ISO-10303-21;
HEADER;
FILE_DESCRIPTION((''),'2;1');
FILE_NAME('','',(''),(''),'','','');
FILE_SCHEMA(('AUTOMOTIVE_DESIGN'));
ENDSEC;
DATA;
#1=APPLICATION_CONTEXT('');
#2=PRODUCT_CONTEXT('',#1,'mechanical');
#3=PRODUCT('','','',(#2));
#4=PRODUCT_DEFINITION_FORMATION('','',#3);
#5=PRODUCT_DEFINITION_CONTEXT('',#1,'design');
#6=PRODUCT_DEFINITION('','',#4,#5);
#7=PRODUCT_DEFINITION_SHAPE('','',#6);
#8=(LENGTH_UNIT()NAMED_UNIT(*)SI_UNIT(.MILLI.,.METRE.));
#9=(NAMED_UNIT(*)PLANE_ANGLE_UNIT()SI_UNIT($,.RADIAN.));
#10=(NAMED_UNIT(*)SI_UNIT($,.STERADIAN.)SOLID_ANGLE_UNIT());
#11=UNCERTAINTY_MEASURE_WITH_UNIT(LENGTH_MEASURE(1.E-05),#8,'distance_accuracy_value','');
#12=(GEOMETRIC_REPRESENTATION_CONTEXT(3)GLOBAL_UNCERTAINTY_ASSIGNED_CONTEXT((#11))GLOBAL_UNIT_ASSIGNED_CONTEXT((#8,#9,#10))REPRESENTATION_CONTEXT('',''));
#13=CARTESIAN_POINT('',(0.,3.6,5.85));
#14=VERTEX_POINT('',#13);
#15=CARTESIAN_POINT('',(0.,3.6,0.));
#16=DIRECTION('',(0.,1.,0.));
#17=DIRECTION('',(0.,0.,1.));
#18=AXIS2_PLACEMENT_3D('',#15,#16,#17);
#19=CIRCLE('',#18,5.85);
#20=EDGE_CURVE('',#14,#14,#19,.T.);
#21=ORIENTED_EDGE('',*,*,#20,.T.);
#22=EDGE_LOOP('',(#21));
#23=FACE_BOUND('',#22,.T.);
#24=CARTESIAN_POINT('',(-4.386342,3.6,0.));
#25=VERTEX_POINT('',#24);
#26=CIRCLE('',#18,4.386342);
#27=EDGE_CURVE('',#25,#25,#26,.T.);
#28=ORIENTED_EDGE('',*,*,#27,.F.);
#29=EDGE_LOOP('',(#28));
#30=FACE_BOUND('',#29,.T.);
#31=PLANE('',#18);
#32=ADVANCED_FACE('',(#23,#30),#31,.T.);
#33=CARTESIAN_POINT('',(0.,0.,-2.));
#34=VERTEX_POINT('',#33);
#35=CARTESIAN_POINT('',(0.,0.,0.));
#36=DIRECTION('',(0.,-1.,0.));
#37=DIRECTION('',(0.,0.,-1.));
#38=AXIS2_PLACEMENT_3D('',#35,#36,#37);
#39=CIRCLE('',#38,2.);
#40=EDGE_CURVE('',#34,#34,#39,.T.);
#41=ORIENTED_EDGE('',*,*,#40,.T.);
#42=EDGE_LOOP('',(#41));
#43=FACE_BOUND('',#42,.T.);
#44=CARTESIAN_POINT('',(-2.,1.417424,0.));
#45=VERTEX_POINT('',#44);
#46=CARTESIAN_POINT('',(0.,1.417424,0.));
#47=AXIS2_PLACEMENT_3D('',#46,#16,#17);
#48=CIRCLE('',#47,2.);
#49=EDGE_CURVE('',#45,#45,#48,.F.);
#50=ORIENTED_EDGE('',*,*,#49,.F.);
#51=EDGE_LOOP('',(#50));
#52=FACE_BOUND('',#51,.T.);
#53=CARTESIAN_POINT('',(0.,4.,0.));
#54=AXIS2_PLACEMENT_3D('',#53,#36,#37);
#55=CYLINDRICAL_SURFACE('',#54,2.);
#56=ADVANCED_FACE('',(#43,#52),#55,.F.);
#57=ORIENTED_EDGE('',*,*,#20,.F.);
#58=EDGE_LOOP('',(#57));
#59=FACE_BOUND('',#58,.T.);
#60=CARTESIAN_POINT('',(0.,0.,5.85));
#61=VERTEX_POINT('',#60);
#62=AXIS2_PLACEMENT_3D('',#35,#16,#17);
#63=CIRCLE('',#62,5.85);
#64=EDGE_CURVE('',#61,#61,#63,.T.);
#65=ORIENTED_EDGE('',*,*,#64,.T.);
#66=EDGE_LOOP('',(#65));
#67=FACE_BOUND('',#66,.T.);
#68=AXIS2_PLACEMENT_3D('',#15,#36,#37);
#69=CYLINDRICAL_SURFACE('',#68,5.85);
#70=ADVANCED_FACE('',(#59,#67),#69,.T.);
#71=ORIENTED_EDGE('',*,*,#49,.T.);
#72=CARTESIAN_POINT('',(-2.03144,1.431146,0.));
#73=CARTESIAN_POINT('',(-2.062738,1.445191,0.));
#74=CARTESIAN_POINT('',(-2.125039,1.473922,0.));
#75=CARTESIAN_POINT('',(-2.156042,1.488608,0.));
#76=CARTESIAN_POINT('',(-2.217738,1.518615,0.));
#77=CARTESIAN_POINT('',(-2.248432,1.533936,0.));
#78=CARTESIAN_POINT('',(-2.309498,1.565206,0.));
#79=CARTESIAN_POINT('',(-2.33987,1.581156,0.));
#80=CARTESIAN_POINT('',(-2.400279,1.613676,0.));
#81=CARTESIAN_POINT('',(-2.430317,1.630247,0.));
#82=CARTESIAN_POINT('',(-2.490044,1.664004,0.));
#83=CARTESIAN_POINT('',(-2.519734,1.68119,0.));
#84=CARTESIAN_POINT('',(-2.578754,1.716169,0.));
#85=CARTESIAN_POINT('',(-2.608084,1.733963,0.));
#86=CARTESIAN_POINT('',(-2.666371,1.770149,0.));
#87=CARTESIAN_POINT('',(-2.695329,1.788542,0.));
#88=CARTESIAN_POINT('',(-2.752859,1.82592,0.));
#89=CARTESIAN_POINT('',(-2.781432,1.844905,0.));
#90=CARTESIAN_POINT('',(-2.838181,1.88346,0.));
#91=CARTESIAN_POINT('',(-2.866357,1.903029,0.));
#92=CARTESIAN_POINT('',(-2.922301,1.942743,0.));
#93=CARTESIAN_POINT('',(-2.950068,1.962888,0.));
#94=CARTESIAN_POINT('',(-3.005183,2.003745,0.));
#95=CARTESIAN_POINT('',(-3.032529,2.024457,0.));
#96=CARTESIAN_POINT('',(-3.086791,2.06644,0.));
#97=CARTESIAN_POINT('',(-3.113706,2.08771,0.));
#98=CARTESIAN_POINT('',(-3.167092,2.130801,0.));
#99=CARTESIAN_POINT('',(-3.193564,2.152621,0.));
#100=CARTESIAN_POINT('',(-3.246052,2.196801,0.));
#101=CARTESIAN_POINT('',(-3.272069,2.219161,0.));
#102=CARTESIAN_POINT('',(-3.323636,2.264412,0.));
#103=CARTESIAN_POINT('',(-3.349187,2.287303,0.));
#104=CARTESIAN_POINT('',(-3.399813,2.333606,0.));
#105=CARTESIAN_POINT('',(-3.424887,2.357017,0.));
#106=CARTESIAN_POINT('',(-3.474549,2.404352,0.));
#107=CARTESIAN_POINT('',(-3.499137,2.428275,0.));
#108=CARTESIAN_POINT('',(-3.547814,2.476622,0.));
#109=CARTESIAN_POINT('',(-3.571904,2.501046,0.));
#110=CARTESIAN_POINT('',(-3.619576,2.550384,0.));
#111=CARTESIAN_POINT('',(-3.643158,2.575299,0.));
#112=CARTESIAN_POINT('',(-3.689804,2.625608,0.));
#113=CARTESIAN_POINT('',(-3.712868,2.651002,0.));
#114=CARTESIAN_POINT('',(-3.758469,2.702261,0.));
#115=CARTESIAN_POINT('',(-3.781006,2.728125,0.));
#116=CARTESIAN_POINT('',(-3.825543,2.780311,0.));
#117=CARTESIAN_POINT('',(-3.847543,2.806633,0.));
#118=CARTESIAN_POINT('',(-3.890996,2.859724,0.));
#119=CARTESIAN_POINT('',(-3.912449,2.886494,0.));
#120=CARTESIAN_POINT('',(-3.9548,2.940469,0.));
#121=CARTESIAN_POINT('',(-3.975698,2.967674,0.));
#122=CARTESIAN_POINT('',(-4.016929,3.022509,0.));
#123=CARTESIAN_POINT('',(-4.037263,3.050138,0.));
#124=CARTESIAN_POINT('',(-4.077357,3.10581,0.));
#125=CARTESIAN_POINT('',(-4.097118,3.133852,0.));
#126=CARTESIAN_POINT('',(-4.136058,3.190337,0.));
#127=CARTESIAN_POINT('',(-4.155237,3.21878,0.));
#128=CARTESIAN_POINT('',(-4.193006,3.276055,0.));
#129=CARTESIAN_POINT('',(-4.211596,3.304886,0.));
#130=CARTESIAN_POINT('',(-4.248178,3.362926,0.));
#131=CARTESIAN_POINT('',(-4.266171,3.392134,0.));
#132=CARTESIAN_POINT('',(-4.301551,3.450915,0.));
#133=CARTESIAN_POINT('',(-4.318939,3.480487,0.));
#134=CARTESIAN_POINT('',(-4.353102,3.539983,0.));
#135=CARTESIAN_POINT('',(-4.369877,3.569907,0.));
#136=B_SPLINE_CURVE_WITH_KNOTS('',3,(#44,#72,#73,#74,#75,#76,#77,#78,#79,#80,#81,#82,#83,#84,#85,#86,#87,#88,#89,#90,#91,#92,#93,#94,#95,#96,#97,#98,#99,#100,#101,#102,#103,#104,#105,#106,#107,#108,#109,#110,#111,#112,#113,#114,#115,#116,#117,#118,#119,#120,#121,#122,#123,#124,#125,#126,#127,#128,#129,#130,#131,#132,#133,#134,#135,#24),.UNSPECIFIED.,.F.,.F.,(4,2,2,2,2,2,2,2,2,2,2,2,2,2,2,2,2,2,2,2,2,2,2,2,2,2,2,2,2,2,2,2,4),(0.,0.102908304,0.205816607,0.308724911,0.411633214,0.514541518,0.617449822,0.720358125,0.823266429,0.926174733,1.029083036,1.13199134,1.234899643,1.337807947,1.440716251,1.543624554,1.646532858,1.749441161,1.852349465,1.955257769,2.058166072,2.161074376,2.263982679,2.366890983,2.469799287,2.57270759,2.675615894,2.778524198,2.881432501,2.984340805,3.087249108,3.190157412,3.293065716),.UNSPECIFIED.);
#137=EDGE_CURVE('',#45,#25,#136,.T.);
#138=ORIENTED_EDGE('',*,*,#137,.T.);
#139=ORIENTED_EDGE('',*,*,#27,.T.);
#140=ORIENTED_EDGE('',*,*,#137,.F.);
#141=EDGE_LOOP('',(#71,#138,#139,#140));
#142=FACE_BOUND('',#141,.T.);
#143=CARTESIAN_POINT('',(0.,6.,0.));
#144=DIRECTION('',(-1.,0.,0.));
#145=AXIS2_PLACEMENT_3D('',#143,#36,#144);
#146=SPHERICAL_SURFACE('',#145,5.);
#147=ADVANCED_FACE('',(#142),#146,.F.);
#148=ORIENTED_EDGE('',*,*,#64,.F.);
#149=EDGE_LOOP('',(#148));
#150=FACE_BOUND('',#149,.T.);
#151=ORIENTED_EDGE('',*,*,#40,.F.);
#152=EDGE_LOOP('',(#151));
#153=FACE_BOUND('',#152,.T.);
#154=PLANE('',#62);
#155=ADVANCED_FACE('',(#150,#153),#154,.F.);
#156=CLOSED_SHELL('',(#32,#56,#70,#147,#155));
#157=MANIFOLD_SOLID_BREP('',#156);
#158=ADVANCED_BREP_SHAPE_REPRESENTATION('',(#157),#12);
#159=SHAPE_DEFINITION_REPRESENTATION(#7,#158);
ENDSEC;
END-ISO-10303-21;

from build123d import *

# Parameters (mm, degrees)
SKETCH1_R           = 5.85
BOSS_EXTRUDE1_DEPTH = 3.6
SKETCH3_R           = 2
CUT_EXTRUDE1_DEPTH  = 4


with BuildPart() as part:
    # Sketch1 → Boss-Extrude1 (new body)
    with BuildSketch(Plane(origin=(0, 0, 0), x_dir=(1, 0, 0), z_dir=(0, 1, 0))):
        with Locations(Location((0, 0, 0), (0, 0, 270))):
            Circle(SKETCH1_R)
    extrude(amount=BOSS_EXTRUDE1_DEPTH)

    # Sketch2 → Cut-Revolve1 (revolve, cut)
    with BuildSketch(Plane.XY):
        with BuildLine():
            Line((0, 1), (0, 11))
            ThreePointArc((0, 11), (5, 6), (0, 1))
        make_face()
    revolve(axis=Axis((0, 1, 0), (0, 1, 0)), mode=Mode.SUBTRACT)

    # Sketch3 → Cut-Extrude1 (cut)
    with BuildSketch(Plane.XZ):
        with Locations(Location((0, 0, 0), (0, 0, 270))):
            Circle(SKETCH3_R)
    extrude(amount=-CUT_EXTRUDE1_DEPTH, mode=Mode.SUBTRACT)


solid = part.part
